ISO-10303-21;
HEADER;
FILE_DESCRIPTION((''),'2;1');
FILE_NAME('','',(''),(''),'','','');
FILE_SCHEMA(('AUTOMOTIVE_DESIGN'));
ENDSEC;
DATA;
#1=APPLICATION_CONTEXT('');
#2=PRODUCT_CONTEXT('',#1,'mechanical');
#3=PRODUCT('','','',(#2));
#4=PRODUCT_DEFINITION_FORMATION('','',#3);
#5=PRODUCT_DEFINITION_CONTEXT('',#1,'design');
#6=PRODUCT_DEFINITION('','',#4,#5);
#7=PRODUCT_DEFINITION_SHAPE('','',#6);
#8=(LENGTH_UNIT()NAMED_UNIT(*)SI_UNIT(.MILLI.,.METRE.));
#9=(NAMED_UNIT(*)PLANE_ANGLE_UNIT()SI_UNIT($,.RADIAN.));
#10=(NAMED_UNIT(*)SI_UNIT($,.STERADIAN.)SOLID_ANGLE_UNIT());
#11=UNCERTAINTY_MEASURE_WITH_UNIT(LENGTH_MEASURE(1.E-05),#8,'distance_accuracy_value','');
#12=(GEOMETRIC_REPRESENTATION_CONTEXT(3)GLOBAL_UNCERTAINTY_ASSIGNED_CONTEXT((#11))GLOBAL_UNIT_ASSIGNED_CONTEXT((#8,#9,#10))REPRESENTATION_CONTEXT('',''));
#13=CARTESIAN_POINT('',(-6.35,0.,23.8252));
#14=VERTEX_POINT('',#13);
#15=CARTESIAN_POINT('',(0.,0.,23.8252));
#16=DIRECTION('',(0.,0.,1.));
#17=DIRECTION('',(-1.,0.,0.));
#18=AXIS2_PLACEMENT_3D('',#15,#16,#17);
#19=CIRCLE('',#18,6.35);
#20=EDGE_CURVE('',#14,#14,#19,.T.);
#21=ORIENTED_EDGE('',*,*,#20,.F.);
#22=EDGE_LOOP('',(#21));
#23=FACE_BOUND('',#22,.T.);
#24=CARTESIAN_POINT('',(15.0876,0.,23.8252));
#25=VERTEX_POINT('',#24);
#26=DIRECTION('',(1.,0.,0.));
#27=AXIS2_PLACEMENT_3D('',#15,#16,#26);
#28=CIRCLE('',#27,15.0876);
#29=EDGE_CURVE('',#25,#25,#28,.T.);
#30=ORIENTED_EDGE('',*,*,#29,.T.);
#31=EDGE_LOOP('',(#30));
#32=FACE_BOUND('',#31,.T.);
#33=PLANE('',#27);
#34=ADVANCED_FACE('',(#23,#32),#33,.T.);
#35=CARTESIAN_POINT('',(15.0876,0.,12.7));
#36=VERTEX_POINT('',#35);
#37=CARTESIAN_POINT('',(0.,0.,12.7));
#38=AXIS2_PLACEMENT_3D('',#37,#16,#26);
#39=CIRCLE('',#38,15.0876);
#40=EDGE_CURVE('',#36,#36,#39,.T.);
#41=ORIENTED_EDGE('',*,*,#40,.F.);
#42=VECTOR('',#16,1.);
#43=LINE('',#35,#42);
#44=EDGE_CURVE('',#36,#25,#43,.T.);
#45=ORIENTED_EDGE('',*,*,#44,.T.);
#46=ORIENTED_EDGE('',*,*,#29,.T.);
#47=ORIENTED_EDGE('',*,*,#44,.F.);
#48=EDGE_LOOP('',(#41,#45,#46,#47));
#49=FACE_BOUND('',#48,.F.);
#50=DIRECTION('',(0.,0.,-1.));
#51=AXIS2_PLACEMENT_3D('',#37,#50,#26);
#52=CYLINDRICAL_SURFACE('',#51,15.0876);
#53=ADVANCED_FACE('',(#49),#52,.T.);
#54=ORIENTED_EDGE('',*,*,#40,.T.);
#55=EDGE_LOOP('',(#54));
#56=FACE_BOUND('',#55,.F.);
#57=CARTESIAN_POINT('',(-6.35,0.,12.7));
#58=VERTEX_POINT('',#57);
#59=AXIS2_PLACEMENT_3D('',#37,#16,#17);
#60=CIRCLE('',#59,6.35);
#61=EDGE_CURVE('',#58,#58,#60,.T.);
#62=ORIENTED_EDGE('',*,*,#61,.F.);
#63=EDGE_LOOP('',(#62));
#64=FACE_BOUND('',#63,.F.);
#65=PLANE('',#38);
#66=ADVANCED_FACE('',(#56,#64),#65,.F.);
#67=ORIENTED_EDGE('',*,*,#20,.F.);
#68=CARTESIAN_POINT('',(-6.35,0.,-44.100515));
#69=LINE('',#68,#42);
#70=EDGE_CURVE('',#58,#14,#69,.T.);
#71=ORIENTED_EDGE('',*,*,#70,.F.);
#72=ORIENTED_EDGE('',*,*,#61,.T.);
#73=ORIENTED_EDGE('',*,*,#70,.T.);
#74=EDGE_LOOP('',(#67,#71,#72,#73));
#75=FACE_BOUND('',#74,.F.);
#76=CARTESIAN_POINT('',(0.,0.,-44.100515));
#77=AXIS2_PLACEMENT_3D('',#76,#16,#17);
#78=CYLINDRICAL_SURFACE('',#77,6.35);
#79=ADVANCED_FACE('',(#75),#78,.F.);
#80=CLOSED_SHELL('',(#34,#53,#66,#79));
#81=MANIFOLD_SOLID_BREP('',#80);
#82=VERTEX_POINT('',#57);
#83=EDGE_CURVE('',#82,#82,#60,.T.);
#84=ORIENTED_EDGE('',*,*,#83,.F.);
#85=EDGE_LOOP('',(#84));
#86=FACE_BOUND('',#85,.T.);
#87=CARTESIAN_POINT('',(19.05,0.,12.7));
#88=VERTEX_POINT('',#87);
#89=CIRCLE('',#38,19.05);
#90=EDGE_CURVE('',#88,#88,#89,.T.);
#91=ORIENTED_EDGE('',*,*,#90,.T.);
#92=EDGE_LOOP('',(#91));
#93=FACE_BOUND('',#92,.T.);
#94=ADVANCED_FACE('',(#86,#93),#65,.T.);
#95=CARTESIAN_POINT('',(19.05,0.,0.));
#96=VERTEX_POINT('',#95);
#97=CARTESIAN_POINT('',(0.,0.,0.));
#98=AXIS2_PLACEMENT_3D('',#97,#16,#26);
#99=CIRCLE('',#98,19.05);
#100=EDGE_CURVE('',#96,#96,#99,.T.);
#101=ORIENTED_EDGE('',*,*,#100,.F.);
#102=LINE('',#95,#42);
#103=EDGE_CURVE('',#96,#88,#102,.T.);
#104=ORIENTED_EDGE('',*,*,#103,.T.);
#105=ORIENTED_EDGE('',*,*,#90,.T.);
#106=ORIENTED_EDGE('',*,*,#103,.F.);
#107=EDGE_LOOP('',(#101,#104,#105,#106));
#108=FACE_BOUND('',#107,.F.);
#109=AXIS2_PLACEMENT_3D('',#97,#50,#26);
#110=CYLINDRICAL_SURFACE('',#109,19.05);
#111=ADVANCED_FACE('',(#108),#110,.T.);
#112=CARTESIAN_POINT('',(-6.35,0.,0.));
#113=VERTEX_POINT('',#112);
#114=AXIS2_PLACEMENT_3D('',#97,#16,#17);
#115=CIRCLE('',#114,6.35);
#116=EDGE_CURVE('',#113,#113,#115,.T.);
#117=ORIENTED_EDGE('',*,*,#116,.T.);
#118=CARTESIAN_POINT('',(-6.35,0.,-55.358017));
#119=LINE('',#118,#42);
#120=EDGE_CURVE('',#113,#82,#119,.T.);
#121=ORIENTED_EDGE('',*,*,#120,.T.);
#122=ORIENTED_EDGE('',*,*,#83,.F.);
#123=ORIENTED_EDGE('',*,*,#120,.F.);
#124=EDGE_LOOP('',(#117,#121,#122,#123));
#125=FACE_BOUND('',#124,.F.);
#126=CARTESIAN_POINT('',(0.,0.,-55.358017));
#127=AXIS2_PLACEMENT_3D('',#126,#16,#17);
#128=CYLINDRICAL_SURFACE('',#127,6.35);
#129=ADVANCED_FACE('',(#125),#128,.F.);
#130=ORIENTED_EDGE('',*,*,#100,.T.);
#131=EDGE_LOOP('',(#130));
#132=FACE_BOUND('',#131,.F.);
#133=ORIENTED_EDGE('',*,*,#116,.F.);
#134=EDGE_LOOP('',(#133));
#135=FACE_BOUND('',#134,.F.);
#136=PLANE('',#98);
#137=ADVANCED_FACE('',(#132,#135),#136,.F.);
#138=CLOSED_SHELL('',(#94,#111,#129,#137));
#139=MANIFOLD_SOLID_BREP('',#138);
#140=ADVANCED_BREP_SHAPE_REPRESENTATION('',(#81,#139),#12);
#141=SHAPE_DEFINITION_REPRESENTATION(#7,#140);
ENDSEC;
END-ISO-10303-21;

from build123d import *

# Parameters (mm, degrees)
F0_R     = 19.05
F1_DEPTH = 12.7
F2_R     = 15.0876
F3_DEPTH = 11.1252
F5_D     = 12.7
F5_2_D   = 12.7


with BuildPart() as f1:
    # F0 (on Top) → F1 (new body)
    with BuildSketch(Plane.XY):
        Circle(F0_R)
    extrude(amount=F1_DEPTH)

    # F5 (through all)
    with Locations(Plane(origin=(0, 0, 0), x_dir=(1, 0, 0), z_dir=(0, 0, -1))):
        with Locations((0, 0)):
            Hole(F5_D / 2)


with BuildPart() as f3:
    # F2 (on face) → F3 (new body)
    with BuildSketch(Plane.XY.offset(12.7)):
        Circle(F2_R)
    extrude(amount=F3_DEPTH)

    # F5#2 (through all)
    with Locations(Plane(origin=(0, 0, 0), x_dir=(1, 0, 0), z_dir=(0, 0, -1))):
        with Locations((0, 0)):
            Hole(F5_2_D / 2)


solid = Compound([f1.part, f3.part])
